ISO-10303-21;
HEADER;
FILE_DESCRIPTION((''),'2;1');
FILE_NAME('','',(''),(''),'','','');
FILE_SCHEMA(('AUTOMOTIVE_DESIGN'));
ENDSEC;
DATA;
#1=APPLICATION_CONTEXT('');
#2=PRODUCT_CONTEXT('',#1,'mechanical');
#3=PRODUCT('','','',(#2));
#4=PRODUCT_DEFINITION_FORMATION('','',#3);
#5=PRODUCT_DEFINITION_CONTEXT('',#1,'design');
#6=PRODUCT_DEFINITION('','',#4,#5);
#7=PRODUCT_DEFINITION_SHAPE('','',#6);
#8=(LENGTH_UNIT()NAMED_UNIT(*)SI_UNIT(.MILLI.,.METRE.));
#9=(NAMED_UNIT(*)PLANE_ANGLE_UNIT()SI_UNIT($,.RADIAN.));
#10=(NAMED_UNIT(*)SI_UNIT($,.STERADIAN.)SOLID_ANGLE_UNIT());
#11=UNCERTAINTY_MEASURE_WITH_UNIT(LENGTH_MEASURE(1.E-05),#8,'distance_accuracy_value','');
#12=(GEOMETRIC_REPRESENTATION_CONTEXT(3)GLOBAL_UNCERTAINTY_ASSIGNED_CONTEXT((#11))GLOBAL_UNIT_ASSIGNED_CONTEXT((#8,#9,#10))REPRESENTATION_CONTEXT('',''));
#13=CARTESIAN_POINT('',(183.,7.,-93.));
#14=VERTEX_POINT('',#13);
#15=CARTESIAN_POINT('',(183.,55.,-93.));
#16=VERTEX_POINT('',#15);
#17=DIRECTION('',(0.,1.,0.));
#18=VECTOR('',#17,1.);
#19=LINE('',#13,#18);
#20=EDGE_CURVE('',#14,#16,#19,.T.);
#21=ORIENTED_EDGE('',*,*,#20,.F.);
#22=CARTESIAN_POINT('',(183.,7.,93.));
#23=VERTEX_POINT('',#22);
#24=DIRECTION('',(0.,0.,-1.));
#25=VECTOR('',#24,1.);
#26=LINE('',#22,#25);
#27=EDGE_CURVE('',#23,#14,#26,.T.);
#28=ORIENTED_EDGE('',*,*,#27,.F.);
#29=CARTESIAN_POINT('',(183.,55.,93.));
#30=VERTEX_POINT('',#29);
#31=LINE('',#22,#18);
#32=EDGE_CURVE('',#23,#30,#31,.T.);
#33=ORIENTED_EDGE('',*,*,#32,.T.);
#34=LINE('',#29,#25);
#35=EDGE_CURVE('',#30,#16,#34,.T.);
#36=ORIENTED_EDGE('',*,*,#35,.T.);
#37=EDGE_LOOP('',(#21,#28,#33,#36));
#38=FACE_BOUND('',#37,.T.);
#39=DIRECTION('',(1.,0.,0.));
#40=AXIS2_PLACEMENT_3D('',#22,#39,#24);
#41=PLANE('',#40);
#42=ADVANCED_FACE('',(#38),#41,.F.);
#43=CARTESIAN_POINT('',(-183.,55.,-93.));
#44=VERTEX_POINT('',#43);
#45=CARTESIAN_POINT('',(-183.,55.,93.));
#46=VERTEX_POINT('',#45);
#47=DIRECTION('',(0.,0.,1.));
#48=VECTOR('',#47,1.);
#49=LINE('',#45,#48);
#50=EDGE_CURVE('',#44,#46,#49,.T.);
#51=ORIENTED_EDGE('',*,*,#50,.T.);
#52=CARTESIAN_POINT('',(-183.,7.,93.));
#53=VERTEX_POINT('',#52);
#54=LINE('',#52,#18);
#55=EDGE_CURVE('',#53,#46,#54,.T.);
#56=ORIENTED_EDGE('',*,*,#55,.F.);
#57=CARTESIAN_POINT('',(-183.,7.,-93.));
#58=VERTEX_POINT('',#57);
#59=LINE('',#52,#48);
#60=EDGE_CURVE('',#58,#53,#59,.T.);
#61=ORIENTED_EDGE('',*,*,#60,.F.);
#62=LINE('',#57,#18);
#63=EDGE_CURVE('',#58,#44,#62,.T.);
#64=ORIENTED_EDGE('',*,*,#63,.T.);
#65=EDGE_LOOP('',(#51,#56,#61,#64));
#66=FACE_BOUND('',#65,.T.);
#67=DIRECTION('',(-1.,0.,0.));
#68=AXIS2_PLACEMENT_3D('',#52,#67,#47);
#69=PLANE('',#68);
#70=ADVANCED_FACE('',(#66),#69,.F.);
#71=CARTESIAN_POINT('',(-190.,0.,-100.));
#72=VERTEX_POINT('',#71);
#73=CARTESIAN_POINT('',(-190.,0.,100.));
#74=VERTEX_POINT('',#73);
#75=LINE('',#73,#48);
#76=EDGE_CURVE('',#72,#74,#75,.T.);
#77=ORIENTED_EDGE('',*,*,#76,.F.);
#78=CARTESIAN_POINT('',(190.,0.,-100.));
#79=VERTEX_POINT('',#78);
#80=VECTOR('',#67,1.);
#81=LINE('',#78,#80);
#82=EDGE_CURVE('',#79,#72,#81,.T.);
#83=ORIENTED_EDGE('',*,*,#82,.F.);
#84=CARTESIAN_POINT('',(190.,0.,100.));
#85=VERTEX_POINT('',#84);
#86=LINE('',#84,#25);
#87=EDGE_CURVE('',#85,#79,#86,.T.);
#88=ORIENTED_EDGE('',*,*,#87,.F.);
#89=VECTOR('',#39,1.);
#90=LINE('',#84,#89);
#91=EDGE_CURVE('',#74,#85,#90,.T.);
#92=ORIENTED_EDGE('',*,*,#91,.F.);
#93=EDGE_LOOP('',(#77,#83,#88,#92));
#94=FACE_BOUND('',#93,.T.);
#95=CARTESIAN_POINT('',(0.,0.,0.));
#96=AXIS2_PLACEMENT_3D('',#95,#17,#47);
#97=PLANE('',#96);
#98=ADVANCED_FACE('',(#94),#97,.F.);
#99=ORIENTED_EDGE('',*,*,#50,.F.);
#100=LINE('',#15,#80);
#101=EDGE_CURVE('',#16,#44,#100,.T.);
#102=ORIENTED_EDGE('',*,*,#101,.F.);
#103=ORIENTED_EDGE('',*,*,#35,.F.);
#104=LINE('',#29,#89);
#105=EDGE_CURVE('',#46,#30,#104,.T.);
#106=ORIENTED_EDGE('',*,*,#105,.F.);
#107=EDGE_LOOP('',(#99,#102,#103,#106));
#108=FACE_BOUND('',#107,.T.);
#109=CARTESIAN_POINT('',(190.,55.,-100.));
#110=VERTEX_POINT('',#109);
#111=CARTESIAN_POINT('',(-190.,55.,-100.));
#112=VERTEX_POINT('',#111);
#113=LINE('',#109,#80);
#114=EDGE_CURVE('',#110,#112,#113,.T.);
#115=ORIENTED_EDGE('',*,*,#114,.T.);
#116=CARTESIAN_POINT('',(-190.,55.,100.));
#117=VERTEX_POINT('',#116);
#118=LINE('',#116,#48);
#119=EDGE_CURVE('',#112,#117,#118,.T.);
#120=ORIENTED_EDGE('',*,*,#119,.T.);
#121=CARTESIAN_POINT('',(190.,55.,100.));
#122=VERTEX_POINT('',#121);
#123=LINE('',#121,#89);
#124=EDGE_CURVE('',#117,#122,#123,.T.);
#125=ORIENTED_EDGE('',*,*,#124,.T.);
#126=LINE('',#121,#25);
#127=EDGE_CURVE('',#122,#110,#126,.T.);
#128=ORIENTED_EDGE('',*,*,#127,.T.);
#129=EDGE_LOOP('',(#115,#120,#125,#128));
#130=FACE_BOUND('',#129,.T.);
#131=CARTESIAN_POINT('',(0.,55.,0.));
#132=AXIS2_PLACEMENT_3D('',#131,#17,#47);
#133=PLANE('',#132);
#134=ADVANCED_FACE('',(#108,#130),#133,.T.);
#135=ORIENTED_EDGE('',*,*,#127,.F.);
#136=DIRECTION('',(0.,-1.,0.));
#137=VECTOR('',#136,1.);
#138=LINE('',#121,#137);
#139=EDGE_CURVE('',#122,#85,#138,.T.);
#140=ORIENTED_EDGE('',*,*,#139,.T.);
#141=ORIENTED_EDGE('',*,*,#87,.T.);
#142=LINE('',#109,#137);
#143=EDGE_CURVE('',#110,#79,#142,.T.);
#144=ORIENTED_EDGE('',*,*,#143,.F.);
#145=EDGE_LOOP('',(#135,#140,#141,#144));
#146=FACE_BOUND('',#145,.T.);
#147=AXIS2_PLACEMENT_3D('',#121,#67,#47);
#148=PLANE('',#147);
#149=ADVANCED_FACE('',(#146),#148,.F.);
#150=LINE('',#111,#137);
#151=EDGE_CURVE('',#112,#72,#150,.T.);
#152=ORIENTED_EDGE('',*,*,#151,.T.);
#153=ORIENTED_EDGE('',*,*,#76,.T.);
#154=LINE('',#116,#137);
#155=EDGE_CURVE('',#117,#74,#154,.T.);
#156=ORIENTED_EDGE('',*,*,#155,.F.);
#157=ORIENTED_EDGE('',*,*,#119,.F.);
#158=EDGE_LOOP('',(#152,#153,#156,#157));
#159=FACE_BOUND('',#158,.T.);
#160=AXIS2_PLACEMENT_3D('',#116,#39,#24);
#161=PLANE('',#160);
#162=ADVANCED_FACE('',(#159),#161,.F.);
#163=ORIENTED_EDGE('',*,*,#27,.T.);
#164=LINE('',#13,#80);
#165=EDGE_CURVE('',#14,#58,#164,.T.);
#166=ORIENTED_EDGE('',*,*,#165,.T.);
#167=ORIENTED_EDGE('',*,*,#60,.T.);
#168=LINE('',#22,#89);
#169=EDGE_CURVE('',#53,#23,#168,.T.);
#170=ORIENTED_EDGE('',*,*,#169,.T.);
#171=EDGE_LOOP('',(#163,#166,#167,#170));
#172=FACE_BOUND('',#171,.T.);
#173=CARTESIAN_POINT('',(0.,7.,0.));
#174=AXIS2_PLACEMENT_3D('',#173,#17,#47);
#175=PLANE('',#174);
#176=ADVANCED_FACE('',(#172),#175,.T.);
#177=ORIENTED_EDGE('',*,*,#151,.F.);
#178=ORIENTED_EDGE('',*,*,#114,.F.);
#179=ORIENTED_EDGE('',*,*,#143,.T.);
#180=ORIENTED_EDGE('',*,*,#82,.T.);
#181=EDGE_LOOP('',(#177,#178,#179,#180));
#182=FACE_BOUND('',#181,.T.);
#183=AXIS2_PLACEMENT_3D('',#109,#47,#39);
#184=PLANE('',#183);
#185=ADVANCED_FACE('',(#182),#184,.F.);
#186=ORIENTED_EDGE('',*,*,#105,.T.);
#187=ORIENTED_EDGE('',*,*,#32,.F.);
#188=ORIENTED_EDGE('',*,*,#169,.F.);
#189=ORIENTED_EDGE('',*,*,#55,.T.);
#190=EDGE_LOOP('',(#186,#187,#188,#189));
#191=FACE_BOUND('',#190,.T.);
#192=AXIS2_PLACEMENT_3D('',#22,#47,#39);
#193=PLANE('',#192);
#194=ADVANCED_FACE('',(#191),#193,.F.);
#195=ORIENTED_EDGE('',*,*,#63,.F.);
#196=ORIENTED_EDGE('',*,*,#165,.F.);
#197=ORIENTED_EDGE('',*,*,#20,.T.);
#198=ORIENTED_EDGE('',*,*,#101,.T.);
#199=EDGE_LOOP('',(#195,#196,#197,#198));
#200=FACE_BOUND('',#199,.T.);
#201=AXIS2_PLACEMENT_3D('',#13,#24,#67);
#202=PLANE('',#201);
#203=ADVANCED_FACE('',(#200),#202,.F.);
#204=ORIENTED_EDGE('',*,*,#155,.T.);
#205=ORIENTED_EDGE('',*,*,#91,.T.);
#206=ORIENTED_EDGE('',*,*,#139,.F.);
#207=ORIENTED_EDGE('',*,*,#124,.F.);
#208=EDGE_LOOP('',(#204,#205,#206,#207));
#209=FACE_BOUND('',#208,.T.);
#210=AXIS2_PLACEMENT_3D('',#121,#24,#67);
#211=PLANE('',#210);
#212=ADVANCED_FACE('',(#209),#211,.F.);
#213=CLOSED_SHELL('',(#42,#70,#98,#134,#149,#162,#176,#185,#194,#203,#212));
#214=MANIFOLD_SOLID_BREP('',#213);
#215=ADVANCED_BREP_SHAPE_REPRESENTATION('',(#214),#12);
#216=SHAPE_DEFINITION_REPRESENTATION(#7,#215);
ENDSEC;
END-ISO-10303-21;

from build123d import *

# Parameters (mm, degrees)
SKETCH_1_W          = 380
SKETCH_1_H          = 200
EXTRUDE_1_DEPTH     = 55
SKETCH_2_W          = 366
SKETCH_2_H          = 186
CUT_EXTRUDE_1_DEPTH = 48


with BuildPart() as part:
    # 草图1 → 凸台-拉伸1 (new body)
    with BuildSketch(Plane(origin=(0, 0, 0), x_dir=(1, 0, 0), z_dir=(0, 1, 0))):
        Rectangle(SKETCH_1_W, SKETCH_1_H)
    extrude(amount=EXTRUDE_1_DEPTH)

    # 草图2 → 切除-拉伸1 (cut)
    with BuildSketch(Plane(origin=(0, 55, 0), x_dir=(1, 0, 0), z_dir=(0, 1, 0))):
        Rectangle(SKETCH_2_W, SKETCH_2_H)
    extrude(amount=-CUT_EXTRUDE_1_DEPTH, mode=Mode.SUBTRACT)


solid = part.part
